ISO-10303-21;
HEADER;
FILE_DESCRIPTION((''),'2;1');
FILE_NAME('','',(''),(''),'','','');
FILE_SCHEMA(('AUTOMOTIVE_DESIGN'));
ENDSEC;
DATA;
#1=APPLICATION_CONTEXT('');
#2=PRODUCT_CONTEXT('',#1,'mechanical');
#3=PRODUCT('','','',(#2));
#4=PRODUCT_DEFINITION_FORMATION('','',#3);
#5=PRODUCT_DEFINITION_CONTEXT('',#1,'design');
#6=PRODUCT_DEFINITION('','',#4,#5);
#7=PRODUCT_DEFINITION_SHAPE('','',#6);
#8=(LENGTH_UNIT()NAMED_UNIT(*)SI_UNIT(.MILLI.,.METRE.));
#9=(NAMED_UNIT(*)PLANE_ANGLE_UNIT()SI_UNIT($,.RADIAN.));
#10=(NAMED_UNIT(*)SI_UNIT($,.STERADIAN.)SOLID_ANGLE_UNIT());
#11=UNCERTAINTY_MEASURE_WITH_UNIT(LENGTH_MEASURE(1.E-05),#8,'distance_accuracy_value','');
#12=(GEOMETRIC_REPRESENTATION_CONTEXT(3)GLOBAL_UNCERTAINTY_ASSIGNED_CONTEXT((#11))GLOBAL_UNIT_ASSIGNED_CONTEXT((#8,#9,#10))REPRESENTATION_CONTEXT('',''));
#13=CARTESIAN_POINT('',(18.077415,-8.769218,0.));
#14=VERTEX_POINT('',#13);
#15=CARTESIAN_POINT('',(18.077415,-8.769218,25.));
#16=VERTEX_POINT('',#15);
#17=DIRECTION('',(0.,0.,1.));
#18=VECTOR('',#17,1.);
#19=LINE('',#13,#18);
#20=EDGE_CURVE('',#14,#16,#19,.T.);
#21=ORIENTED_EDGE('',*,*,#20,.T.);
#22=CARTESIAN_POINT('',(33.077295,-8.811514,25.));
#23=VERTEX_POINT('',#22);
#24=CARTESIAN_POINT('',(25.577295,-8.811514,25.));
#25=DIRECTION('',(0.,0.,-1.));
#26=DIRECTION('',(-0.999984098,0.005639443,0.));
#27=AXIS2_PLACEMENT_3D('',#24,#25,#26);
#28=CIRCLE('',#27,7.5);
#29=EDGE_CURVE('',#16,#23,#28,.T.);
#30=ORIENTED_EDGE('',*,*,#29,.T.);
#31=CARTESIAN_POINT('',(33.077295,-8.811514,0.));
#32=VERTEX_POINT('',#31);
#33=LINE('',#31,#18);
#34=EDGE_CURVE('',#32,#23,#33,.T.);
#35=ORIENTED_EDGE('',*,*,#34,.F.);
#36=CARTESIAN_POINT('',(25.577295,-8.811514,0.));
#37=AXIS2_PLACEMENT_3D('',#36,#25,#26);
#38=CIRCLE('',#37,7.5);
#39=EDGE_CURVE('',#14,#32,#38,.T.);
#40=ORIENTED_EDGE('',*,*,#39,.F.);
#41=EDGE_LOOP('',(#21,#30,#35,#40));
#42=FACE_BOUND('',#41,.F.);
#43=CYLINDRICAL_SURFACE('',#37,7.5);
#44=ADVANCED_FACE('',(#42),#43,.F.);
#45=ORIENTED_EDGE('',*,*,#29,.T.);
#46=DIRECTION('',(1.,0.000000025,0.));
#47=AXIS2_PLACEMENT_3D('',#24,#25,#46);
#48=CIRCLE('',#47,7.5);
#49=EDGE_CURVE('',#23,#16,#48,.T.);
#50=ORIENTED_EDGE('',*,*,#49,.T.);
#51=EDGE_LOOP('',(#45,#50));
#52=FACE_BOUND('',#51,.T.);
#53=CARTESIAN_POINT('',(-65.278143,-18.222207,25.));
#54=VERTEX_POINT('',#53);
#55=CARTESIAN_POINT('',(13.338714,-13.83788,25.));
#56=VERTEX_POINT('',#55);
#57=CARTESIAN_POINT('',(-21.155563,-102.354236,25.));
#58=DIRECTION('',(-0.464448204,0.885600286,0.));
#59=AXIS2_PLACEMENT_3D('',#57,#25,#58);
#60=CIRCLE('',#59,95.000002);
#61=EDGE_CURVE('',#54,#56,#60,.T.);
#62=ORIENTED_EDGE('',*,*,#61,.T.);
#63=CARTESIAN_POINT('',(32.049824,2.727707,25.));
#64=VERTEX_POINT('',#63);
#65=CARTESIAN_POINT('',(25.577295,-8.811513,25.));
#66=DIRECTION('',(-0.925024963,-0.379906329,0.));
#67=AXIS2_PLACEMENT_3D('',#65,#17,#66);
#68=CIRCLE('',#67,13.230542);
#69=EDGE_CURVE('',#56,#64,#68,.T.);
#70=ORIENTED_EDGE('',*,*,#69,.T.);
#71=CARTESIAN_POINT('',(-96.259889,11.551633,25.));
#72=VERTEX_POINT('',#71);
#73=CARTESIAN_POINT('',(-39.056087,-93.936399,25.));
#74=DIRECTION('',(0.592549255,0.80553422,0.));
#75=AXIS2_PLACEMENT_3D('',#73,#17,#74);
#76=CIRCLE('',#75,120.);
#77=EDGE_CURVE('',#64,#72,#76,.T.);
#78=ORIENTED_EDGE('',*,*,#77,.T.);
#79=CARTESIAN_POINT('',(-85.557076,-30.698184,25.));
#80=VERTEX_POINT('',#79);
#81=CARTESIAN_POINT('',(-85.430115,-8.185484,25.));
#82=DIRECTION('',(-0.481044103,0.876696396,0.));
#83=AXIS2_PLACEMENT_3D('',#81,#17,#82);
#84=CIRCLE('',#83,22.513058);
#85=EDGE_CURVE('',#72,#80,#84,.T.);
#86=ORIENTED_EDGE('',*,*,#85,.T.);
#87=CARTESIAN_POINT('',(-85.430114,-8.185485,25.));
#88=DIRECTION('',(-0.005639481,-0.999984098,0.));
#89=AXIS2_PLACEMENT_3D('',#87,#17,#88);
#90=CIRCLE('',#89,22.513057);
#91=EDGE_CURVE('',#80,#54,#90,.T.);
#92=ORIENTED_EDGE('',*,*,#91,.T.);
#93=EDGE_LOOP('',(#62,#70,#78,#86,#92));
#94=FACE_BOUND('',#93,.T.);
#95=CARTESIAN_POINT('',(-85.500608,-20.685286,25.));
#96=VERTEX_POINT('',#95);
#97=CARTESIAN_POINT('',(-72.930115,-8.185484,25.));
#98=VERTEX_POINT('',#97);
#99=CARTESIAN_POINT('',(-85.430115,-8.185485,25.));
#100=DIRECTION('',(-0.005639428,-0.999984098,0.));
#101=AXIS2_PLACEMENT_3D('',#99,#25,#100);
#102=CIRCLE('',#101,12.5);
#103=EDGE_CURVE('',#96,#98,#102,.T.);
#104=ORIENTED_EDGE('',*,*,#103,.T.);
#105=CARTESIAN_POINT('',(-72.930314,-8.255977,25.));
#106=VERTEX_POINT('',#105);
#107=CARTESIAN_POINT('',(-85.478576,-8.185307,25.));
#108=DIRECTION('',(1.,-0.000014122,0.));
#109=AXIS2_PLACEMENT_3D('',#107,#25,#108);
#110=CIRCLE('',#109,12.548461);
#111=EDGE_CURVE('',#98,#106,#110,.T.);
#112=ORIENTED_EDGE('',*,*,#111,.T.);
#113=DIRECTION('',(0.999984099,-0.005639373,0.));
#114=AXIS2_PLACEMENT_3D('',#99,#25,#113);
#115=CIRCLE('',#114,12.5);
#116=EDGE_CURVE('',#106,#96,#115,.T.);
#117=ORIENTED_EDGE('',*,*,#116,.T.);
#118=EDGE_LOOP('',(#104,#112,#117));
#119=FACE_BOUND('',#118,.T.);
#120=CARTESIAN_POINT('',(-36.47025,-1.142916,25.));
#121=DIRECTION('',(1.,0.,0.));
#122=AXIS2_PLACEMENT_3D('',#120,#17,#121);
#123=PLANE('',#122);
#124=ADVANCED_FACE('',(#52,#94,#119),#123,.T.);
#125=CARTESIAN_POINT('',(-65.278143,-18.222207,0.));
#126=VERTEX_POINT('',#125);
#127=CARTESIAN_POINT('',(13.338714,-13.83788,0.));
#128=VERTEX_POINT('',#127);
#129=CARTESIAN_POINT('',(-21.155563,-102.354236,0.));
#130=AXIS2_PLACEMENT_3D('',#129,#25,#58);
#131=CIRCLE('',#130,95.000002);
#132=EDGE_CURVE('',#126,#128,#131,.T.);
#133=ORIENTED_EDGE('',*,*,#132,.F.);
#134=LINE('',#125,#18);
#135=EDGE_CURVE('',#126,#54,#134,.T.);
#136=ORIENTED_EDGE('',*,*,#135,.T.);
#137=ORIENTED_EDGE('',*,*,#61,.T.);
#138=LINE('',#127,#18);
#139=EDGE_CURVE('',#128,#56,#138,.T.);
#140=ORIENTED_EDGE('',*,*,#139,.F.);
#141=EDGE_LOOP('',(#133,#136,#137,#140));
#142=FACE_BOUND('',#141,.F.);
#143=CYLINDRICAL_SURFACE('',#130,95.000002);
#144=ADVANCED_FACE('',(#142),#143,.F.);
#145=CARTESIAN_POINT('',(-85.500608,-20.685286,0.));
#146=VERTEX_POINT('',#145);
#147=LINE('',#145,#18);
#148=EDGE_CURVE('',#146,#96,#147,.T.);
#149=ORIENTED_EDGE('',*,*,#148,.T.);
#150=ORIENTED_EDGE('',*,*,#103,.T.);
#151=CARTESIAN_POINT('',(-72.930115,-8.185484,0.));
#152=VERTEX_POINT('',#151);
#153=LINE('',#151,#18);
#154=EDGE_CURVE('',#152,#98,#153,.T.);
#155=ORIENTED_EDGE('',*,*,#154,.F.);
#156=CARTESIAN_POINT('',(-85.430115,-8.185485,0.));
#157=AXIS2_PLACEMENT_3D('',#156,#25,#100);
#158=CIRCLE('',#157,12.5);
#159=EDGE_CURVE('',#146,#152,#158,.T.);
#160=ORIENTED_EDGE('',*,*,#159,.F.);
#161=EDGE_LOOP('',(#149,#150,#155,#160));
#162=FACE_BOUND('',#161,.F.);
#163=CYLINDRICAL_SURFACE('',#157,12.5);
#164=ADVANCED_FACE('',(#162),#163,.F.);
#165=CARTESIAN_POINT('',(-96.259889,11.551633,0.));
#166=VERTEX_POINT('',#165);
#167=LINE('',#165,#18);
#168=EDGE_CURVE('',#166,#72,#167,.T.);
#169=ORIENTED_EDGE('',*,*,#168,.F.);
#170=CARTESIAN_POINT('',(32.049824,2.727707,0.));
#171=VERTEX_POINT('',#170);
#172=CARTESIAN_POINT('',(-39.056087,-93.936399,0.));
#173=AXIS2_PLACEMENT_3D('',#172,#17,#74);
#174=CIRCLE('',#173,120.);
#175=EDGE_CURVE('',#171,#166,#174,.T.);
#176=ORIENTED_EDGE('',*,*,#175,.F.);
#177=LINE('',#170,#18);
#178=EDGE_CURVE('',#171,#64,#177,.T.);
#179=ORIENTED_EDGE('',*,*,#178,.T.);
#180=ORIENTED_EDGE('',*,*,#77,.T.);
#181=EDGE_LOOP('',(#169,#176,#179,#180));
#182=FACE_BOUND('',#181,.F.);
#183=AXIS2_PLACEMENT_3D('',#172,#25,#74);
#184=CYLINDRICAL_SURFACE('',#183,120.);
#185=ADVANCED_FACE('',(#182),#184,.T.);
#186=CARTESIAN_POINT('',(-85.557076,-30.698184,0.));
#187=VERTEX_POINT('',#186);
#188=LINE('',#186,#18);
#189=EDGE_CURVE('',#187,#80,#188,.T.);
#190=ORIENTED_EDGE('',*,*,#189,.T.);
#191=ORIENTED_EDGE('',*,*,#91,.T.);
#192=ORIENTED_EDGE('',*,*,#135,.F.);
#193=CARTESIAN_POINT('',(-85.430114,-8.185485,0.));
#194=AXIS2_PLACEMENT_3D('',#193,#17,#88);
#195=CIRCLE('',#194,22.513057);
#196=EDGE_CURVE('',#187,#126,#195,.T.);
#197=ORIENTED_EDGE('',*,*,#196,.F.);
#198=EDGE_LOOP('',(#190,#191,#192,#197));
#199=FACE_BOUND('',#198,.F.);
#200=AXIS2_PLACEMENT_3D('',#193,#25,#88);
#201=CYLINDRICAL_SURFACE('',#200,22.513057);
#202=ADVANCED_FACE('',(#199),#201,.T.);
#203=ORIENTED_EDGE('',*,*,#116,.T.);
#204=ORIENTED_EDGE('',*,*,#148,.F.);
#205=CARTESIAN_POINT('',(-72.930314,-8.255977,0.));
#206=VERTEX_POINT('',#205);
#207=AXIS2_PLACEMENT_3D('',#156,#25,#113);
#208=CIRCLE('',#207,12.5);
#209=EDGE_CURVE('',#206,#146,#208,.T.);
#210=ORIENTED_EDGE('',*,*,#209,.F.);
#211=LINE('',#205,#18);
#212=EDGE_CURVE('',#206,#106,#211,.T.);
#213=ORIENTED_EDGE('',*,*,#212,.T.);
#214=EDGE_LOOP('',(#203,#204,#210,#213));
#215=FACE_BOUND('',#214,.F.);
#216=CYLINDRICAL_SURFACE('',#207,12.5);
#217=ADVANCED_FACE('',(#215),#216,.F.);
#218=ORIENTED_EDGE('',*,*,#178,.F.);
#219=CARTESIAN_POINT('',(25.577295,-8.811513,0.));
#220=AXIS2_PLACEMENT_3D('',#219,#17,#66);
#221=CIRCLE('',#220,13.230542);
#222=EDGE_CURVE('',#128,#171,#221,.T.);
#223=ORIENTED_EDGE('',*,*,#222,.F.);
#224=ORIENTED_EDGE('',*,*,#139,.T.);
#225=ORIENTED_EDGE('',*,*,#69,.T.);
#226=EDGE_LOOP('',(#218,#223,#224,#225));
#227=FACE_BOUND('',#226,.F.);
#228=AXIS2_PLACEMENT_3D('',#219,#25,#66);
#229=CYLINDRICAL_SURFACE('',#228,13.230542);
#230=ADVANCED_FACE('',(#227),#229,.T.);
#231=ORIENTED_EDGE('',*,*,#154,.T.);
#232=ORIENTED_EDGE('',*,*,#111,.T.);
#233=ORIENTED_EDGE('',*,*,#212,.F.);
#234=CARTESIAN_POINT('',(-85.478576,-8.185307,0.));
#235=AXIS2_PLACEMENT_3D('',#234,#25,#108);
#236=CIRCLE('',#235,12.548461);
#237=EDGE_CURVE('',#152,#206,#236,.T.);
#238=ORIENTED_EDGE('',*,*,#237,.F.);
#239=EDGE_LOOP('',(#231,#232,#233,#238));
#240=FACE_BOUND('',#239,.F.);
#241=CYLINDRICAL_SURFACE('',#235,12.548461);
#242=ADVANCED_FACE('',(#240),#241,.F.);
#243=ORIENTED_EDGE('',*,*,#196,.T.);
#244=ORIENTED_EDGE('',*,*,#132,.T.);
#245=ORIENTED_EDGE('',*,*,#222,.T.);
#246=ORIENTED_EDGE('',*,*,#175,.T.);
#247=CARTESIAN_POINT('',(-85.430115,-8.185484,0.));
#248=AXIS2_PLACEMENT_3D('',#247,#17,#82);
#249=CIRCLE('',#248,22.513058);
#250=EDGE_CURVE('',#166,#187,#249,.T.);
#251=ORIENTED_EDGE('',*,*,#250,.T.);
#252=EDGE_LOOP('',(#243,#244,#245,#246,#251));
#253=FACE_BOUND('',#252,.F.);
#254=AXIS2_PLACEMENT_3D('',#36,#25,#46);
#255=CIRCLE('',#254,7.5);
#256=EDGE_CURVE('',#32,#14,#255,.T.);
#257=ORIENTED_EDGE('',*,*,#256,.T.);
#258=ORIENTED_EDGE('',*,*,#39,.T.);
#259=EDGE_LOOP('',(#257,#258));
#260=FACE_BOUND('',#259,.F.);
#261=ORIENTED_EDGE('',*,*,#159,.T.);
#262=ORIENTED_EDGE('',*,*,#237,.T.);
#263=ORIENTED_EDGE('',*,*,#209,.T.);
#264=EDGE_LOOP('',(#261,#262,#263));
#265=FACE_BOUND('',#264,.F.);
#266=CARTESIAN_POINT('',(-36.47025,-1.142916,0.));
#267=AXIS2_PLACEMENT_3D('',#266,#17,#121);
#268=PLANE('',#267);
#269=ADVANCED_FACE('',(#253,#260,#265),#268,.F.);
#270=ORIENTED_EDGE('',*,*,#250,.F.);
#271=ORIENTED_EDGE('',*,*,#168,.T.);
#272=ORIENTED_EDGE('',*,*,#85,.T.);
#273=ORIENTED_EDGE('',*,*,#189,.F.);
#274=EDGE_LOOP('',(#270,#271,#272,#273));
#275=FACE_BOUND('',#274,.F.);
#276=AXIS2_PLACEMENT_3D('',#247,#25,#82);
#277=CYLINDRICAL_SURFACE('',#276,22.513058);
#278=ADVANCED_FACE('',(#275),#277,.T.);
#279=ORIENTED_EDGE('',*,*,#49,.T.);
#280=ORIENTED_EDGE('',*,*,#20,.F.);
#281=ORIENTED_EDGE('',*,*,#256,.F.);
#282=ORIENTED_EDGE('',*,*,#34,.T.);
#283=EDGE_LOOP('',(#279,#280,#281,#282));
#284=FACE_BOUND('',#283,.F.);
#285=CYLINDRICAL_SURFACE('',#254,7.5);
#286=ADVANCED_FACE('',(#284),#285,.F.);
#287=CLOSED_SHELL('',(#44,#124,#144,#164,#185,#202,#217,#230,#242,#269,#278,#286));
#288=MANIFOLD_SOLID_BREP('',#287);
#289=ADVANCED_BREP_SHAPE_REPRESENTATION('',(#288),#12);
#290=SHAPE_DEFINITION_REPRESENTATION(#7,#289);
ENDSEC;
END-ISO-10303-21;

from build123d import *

# Parameters (mm, degrees)
F1_DEPTH = 25


with BuildPart() as f1:
    # F0 (on Top) → F1 (new body)
    with BuildSketch(Plane.XY):
        with BuildLine():
            ThreePointArc((-96.259889, 11.551633), (-107.253824, -13.713912), (-85.557076, -30.698184))
            ThreePointArc((-85.557076, -30.698184), (-73.633388, -27.360338), (-65.278143, -18.222207))
            ThreePointArc((-65.278143, -18.222207), (-26.44533, -7.50162), (13.338714, -13.83788))
            ThreePointArc((13.338714, -13.83788), (34.347501, -18.717609), (32.049824, 2.727707))
            ThreePointArc((32.049824, 2.727707), (-30.823069, 25.78084), (-96.259889, 11.551633))
        make_face()
        with BuildLine():
            ThreePointArc((-72.930115, -8.185484), (-72.930165, -8.220731), (-72.930314, -8.255977))
            ThreePointArc((-72.930314, -8.255977), (-76.641267, -17.074025), (-85.500608, -20.685286))
            ThreePointArc((-85.500608, -20.685286), (-94.243992, 0.678238), (-72.930115, -8.185484))
        make_face(mode=Mode.SUBTRACT)
        with BuildLine():
            ThreePointArc((18.077415, -8.769218), (25.598443, -1.311544), (33.077295, -8.811514))
            ThreePointArc((33.077295, -8.811514), (25.556147, -16.311484), (18.077415, -8.769218))
        make_face(mode=Mode.SUBTRACT)
    extrude(amount=F1_DEPTH)


solid = f1.part
